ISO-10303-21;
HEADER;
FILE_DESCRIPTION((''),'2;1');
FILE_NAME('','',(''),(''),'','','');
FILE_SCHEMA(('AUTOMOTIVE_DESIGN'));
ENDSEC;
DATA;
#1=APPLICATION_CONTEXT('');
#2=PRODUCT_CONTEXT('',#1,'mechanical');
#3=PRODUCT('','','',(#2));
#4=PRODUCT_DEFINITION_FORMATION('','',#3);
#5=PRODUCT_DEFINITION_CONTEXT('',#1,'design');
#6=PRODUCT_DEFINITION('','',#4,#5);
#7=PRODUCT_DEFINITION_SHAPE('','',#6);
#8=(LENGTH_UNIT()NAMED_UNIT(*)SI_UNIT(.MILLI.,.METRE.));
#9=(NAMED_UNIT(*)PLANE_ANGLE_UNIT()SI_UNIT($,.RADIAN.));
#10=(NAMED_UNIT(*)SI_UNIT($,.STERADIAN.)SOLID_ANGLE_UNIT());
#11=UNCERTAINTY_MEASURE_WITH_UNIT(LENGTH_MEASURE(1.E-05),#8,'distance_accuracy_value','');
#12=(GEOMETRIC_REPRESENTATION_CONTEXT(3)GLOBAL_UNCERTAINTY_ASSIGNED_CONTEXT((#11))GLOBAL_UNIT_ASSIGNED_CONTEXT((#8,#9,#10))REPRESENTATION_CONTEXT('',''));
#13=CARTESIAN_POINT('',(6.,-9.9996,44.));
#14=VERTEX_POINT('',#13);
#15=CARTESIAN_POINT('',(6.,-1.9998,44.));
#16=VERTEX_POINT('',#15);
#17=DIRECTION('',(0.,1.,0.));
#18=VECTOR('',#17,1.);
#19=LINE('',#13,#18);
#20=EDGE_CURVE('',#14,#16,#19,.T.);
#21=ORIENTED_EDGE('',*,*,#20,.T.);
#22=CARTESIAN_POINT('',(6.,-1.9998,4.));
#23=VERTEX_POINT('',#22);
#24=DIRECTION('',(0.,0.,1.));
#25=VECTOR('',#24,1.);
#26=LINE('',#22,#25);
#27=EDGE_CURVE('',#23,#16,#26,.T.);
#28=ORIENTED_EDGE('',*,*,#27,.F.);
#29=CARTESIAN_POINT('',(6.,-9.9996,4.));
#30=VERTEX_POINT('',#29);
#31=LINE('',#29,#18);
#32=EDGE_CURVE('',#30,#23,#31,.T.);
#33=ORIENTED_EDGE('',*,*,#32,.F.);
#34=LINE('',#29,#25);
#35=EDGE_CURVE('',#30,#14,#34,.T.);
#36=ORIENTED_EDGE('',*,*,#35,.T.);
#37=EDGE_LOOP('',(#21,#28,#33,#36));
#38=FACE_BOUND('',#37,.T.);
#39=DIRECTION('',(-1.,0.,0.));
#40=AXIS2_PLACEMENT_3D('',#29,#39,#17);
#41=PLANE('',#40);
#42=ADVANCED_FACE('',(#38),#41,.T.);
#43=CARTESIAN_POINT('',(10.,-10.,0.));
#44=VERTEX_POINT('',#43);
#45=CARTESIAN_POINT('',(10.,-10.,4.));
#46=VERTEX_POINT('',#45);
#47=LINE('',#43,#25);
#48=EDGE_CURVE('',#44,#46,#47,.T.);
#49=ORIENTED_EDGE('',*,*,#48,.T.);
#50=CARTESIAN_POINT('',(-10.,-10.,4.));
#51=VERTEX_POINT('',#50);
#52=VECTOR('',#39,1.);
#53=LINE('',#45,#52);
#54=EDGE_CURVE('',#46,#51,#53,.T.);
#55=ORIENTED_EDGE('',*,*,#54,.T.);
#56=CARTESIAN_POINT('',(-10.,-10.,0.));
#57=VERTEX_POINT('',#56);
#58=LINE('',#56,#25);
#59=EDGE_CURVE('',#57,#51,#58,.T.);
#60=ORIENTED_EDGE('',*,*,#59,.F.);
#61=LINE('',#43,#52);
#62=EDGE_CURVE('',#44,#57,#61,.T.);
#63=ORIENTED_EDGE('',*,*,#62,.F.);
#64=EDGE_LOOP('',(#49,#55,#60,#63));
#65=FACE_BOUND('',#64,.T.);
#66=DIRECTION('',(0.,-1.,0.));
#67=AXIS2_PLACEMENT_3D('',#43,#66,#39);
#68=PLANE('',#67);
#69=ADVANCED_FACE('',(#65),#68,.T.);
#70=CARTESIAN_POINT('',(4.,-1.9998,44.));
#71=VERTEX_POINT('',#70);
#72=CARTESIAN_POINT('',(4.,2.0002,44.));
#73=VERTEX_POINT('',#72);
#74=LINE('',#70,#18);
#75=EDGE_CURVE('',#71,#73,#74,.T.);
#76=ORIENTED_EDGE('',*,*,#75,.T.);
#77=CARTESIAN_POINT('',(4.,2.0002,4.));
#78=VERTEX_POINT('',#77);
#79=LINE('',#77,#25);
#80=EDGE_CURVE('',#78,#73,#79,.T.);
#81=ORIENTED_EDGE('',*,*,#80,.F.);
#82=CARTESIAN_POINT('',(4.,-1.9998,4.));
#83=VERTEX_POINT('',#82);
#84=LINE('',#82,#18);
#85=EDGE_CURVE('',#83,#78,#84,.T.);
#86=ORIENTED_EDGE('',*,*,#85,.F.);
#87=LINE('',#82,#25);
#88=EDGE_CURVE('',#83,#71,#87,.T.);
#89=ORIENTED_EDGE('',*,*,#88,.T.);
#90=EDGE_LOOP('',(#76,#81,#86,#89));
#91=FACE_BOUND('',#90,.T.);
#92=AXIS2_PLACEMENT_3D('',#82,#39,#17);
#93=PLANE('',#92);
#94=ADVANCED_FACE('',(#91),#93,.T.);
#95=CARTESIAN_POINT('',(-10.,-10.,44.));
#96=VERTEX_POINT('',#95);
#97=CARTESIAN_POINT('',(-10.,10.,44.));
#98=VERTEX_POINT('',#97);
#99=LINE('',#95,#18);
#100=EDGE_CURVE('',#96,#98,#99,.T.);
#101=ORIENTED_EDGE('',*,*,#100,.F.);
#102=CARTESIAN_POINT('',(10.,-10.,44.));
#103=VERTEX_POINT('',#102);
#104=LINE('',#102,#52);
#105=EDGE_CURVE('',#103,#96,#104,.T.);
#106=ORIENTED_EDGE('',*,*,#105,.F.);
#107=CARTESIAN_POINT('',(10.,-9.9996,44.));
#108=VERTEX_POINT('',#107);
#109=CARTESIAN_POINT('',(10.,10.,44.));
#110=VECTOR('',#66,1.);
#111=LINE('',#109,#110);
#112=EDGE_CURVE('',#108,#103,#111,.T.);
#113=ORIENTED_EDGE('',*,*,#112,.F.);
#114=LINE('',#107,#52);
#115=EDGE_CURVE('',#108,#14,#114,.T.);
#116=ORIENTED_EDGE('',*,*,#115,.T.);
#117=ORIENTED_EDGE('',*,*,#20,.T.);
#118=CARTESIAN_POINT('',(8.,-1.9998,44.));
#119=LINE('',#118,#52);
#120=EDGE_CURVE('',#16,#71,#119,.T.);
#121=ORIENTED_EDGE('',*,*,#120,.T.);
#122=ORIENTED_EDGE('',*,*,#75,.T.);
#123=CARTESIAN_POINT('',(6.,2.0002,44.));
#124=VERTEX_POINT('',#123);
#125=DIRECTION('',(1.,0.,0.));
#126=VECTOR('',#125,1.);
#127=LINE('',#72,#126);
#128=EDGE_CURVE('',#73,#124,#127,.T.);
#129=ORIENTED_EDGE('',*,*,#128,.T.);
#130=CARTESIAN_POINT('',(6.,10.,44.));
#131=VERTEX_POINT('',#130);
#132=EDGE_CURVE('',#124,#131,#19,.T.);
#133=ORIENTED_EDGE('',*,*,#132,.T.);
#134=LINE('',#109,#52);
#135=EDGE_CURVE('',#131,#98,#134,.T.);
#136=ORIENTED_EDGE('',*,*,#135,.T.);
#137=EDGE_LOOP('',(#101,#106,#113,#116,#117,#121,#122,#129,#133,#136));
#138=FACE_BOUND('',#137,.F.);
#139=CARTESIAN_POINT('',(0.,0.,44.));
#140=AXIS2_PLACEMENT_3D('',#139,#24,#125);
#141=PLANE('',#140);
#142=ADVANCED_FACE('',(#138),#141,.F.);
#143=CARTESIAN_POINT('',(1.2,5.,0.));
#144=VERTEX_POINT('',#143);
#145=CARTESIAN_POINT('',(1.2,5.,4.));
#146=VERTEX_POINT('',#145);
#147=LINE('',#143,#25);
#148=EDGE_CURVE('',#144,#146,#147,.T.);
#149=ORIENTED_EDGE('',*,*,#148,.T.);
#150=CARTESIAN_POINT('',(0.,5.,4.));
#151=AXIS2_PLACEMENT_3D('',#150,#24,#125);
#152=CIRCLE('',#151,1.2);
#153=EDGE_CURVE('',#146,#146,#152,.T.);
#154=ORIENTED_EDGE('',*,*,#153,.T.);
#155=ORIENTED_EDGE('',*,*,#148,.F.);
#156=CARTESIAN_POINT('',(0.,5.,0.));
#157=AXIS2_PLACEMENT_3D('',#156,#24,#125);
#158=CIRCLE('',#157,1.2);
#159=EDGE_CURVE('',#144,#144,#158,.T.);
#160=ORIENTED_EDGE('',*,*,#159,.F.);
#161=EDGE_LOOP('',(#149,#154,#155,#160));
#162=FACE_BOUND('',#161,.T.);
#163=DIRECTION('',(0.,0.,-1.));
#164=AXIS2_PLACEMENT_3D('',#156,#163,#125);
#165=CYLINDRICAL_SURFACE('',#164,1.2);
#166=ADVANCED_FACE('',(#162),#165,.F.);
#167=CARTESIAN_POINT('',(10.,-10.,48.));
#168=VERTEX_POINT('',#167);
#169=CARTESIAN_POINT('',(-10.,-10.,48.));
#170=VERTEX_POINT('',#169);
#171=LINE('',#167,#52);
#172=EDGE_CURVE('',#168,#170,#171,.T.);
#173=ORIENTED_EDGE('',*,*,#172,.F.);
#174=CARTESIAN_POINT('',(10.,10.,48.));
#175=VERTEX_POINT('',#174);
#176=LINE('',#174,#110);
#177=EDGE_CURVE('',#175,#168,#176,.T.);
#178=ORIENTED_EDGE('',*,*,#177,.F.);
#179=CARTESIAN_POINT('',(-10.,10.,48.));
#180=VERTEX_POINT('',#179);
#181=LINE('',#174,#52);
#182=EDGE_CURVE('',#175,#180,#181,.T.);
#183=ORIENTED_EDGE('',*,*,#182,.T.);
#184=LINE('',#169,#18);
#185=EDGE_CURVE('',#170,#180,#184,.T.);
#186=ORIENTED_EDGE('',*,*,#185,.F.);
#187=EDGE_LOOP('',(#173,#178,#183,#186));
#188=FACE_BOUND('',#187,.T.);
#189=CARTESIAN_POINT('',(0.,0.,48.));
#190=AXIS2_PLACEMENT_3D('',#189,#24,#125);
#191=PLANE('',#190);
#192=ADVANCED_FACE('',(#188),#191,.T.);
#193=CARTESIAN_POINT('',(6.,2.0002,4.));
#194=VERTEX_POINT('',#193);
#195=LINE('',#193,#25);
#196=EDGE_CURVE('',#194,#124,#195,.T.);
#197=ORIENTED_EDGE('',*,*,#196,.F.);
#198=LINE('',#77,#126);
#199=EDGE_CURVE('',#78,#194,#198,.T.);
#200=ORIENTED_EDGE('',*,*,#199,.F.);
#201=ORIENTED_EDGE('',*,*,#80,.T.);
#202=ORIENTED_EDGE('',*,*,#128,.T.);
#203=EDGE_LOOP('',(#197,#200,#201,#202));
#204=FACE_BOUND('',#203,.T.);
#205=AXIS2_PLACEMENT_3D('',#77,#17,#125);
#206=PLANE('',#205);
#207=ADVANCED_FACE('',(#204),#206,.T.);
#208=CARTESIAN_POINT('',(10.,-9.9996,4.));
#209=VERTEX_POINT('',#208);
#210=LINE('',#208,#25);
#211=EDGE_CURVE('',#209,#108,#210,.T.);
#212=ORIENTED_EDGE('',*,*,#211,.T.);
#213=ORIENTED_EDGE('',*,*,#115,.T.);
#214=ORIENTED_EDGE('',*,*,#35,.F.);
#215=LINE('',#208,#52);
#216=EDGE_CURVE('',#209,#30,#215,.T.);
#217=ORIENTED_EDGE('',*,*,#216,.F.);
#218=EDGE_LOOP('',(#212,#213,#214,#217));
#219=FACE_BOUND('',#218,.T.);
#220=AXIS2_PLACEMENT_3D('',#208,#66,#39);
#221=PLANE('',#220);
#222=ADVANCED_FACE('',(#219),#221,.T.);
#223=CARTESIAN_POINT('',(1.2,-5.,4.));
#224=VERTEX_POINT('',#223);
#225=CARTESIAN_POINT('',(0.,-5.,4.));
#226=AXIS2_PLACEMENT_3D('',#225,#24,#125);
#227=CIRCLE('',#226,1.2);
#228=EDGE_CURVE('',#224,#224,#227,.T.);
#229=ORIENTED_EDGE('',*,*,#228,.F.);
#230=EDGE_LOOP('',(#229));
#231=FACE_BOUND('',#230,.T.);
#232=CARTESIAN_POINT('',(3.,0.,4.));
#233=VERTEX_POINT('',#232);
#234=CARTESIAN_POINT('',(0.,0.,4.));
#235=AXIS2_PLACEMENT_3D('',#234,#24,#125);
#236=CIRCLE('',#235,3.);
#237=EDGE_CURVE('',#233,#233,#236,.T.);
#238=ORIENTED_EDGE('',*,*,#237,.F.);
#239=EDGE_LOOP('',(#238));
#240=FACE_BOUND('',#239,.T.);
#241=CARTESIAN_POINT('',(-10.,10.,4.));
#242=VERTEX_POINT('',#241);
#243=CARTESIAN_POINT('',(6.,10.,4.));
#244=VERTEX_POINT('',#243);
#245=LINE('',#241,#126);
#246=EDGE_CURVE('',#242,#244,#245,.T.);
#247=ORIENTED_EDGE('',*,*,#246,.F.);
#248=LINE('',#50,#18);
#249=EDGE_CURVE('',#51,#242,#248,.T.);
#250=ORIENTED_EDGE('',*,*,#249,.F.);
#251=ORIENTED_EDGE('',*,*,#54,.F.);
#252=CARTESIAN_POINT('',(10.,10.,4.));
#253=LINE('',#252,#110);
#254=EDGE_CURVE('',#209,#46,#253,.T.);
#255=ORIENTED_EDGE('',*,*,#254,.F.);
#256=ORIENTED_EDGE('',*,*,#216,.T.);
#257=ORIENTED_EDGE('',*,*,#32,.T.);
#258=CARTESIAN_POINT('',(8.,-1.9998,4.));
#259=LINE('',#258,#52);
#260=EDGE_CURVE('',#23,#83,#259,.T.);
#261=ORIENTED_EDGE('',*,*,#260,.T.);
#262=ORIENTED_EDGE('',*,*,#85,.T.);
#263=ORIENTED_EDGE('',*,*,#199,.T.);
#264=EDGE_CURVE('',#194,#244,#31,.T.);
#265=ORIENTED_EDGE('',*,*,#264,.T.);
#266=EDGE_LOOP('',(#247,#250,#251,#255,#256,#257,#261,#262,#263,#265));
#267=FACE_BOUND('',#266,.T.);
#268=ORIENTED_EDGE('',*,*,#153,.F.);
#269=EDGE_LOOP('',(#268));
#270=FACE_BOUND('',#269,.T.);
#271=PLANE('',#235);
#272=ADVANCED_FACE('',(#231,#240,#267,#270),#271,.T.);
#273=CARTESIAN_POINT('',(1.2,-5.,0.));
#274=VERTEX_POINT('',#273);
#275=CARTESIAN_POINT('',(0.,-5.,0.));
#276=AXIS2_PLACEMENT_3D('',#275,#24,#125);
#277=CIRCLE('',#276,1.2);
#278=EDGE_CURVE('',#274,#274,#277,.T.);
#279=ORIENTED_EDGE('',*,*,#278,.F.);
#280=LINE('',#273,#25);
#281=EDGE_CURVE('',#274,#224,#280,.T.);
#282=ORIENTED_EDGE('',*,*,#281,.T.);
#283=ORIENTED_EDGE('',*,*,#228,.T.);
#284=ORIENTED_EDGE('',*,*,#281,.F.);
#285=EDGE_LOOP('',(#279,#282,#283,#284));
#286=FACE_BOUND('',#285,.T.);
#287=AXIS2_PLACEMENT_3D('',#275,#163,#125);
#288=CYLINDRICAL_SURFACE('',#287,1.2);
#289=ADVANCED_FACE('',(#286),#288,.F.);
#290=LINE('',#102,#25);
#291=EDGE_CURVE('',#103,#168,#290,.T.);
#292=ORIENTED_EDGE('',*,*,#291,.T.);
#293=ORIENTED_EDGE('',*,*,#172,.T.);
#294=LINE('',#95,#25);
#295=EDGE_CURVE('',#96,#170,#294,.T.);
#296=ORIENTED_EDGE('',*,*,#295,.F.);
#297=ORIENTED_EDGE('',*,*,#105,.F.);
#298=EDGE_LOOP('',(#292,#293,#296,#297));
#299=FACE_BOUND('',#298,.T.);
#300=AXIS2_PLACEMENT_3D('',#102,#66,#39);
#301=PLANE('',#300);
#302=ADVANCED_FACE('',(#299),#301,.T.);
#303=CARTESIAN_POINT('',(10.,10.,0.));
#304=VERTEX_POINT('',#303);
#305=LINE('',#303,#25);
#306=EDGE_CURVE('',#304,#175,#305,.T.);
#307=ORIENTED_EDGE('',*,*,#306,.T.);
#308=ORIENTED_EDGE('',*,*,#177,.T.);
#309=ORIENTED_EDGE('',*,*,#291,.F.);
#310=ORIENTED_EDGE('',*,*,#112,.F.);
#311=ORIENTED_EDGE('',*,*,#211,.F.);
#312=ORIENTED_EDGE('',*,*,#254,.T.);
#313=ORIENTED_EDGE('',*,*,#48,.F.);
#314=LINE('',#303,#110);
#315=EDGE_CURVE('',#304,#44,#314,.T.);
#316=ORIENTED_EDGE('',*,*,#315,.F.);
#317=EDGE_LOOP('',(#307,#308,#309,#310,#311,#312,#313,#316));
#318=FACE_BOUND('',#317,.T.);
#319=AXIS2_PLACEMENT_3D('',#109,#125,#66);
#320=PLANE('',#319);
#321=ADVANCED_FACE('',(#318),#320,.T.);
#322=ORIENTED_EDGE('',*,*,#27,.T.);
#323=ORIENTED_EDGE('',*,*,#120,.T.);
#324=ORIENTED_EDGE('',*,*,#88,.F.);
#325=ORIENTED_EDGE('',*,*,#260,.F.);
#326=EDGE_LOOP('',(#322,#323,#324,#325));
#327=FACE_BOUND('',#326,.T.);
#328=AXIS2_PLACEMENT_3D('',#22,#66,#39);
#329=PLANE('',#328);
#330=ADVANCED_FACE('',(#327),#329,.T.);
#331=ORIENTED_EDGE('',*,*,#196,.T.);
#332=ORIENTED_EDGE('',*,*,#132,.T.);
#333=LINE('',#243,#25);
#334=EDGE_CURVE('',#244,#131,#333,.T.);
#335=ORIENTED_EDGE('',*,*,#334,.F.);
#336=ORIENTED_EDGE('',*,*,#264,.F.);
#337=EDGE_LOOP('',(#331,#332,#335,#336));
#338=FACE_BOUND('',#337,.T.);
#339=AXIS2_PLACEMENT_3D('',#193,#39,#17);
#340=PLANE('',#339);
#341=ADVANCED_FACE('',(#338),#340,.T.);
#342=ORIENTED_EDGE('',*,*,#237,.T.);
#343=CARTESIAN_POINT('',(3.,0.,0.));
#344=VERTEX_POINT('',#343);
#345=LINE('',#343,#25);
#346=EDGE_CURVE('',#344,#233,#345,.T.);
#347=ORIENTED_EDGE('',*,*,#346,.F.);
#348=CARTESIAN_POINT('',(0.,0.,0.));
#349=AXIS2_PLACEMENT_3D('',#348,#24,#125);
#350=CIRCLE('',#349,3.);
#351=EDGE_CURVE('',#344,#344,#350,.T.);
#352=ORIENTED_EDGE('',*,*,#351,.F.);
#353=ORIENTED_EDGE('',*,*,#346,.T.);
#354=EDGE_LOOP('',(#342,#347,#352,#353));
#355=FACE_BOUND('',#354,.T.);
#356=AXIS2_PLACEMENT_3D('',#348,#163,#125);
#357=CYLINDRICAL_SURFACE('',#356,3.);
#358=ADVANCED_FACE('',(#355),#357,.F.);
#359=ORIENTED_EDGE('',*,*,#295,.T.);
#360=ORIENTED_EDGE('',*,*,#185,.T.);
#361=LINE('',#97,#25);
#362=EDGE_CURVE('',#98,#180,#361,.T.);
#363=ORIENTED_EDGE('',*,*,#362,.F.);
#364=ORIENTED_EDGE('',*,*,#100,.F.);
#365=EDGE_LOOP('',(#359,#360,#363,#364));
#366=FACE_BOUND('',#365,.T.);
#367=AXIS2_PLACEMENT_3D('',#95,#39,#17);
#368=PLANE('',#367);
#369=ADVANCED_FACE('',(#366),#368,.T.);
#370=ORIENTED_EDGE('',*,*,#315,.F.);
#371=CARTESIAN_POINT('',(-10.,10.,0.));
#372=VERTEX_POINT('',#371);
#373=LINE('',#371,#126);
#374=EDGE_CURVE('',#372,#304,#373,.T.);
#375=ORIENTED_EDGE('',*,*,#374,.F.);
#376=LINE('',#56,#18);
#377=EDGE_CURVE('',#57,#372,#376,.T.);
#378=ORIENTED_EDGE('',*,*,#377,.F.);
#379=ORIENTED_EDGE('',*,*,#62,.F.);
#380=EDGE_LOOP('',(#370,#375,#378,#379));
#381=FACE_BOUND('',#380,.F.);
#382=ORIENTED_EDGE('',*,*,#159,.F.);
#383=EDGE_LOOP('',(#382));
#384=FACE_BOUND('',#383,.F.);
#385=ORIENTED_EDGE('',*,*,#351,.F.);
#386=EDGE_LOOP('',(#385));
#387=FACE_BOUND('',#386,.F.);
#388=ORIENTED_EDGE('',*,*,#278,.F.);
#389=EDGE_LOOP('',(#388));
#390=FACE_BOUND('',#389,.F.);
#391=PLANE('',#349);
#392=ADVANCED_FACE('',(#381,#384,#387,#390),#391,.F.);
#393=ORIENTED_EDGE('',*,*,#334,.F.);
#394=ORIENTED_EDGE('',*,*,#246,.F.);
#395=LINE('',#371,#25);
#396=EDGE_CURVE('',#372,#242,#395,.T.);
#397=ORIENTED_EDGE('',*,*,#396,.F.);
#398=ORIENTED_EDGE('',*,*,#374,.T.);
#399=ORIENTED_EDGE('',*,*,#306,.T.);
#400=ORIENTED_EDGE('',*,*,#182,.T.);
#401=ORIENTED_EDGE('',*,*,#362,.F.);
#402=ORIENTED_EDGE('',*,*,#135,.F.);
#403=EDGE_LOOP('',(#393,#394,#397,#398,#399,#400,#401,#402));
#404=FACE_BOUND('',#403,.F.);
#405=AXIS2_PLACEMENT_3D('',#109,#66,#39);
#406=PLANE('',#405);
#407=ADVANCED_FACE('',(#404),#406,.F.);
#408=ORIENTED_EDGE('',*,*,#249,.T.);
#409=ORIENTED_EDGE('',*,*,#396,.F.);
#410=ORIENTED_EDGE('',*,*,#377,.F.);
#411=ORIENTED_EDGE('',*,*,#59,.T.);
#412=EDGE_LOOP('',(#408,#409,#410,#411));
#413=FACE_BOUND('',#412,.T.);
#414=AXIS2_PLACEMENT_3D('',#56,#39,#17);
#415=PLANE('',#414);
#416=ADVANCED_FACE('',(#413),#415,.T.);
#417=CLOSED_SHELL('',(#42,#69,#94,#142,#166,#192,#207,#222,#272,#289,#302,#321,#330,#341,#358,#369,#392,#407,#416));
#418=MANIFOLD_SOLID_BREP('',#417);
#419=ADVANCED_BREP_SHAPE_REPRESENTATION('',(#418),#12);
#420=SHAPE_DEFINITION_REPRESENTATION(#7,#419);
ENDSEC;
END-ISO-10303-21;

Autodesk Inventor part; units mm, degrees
ref_plane "YZ Plane" through (0, 0, 0) normal (1, 0, 0) x (0, 1, 0)
ref_plane "XZ Plane" through (0, 0, 0) normal (0, 1, 0) x (-1, 0, 0)
ref_plane "XY Plane" through (0, 0, 0) normal (0, 0, 1) x (1, 0, 0)
sketch "Sketch1" plane through (0, 0, 0) normal (0, 0, 1) x (1, 0, 0)
  line L0 (10, -10) -> (-10, -10)
  line L1 (-10, -10) -> (-10, 10)
  line L2 (-10, 10) -> (10, 10)
  line L3 (10, 10) -> (10, -10)
  circle A0 centre (0, 5) radius 1.2
  circle A1 centre (0, -5) radius 1.2
  circle A2 centre (0, 0) radius 3
  dimension "d0" = 10
  dimension "d1" = 10
  dimension "d2" = 10
  dimension "d3" = 10
  dimension "d4" = 5
  dimension "d5" = 5
  dimension "d6" = 2.4
  dimension "d7" = 2.4
  dimension "d8" = 6
extrude "Extrusion1" add sketch "Sketch1" along normal blind 4
sketch "Sketch2" plane through (0, 0, 4) normal (0, 0, 1) x (1, 0, 0)
  line L0 (0, 0) -> (-1.3346, -1.3533)
  line L1 (10, 10) -> (-10, 10) projected
  line L2 (10, -9.9996) -> (6, -9.9996)
  line L3 (6, -9.9996) -> (6, 10)
  line L4 (6, 10) -> (10, 10)
  line L5 (10, 10) -> (10, -9.9996)
  line L6 (8, -1.9998) -> (4, -1.9998)
  line L7 (4, -1.9998) -> (4, 2.0002)
  line L8 (4, 2.0002) -> (8, 2.0002)
  line L9 (8, 2.0002) -> (8, -1.9998)
  line L10 (8, -1.9998) -> (4, 2.0002) construction
  line L11 (4, -1.9998) -> (8, 2.0002) construction
  point P0 (6, 0.0002)
  point P1 (6, -1.9998)
  point P2 (6, 2.0002)
  dimension "d19" = 6
  dimension "d20" = 10
  dimension "d21" = 4
  dimension "d22" = 4
extrude "Extrusion2" add sketch "Sketch2" along normal blind 40
sketch "Sketch3" plane through (0, 0, 44) normal (0, 0, 1) x (1, 0, 0)
  line L0 (10, 10) -> (-10, 10) projected
  line L1 (10, -10) -> (-10, -10)
  line L2 (-10, -10) -> (-10, 10)
  line L3 (-10, 10) -> (10, 10)
  line L4 (10, 10) -> (10, -10)
  line L5 (10, -10) -> (-10, 10) construction
  line L6 (-10, -10) -> (10, 10) construction
  point P0 (0, 0)
extrude "Extrusion3" add sketch "Sketch3" along normal blind 4
equation "\"d1\" = d0"
equation "\"d2\" = d0"
equation "\"d3\" = d2"
equation "\"d5\" = d4"
equation "\"d7\" = d6"
properties part number "MotorMount"
